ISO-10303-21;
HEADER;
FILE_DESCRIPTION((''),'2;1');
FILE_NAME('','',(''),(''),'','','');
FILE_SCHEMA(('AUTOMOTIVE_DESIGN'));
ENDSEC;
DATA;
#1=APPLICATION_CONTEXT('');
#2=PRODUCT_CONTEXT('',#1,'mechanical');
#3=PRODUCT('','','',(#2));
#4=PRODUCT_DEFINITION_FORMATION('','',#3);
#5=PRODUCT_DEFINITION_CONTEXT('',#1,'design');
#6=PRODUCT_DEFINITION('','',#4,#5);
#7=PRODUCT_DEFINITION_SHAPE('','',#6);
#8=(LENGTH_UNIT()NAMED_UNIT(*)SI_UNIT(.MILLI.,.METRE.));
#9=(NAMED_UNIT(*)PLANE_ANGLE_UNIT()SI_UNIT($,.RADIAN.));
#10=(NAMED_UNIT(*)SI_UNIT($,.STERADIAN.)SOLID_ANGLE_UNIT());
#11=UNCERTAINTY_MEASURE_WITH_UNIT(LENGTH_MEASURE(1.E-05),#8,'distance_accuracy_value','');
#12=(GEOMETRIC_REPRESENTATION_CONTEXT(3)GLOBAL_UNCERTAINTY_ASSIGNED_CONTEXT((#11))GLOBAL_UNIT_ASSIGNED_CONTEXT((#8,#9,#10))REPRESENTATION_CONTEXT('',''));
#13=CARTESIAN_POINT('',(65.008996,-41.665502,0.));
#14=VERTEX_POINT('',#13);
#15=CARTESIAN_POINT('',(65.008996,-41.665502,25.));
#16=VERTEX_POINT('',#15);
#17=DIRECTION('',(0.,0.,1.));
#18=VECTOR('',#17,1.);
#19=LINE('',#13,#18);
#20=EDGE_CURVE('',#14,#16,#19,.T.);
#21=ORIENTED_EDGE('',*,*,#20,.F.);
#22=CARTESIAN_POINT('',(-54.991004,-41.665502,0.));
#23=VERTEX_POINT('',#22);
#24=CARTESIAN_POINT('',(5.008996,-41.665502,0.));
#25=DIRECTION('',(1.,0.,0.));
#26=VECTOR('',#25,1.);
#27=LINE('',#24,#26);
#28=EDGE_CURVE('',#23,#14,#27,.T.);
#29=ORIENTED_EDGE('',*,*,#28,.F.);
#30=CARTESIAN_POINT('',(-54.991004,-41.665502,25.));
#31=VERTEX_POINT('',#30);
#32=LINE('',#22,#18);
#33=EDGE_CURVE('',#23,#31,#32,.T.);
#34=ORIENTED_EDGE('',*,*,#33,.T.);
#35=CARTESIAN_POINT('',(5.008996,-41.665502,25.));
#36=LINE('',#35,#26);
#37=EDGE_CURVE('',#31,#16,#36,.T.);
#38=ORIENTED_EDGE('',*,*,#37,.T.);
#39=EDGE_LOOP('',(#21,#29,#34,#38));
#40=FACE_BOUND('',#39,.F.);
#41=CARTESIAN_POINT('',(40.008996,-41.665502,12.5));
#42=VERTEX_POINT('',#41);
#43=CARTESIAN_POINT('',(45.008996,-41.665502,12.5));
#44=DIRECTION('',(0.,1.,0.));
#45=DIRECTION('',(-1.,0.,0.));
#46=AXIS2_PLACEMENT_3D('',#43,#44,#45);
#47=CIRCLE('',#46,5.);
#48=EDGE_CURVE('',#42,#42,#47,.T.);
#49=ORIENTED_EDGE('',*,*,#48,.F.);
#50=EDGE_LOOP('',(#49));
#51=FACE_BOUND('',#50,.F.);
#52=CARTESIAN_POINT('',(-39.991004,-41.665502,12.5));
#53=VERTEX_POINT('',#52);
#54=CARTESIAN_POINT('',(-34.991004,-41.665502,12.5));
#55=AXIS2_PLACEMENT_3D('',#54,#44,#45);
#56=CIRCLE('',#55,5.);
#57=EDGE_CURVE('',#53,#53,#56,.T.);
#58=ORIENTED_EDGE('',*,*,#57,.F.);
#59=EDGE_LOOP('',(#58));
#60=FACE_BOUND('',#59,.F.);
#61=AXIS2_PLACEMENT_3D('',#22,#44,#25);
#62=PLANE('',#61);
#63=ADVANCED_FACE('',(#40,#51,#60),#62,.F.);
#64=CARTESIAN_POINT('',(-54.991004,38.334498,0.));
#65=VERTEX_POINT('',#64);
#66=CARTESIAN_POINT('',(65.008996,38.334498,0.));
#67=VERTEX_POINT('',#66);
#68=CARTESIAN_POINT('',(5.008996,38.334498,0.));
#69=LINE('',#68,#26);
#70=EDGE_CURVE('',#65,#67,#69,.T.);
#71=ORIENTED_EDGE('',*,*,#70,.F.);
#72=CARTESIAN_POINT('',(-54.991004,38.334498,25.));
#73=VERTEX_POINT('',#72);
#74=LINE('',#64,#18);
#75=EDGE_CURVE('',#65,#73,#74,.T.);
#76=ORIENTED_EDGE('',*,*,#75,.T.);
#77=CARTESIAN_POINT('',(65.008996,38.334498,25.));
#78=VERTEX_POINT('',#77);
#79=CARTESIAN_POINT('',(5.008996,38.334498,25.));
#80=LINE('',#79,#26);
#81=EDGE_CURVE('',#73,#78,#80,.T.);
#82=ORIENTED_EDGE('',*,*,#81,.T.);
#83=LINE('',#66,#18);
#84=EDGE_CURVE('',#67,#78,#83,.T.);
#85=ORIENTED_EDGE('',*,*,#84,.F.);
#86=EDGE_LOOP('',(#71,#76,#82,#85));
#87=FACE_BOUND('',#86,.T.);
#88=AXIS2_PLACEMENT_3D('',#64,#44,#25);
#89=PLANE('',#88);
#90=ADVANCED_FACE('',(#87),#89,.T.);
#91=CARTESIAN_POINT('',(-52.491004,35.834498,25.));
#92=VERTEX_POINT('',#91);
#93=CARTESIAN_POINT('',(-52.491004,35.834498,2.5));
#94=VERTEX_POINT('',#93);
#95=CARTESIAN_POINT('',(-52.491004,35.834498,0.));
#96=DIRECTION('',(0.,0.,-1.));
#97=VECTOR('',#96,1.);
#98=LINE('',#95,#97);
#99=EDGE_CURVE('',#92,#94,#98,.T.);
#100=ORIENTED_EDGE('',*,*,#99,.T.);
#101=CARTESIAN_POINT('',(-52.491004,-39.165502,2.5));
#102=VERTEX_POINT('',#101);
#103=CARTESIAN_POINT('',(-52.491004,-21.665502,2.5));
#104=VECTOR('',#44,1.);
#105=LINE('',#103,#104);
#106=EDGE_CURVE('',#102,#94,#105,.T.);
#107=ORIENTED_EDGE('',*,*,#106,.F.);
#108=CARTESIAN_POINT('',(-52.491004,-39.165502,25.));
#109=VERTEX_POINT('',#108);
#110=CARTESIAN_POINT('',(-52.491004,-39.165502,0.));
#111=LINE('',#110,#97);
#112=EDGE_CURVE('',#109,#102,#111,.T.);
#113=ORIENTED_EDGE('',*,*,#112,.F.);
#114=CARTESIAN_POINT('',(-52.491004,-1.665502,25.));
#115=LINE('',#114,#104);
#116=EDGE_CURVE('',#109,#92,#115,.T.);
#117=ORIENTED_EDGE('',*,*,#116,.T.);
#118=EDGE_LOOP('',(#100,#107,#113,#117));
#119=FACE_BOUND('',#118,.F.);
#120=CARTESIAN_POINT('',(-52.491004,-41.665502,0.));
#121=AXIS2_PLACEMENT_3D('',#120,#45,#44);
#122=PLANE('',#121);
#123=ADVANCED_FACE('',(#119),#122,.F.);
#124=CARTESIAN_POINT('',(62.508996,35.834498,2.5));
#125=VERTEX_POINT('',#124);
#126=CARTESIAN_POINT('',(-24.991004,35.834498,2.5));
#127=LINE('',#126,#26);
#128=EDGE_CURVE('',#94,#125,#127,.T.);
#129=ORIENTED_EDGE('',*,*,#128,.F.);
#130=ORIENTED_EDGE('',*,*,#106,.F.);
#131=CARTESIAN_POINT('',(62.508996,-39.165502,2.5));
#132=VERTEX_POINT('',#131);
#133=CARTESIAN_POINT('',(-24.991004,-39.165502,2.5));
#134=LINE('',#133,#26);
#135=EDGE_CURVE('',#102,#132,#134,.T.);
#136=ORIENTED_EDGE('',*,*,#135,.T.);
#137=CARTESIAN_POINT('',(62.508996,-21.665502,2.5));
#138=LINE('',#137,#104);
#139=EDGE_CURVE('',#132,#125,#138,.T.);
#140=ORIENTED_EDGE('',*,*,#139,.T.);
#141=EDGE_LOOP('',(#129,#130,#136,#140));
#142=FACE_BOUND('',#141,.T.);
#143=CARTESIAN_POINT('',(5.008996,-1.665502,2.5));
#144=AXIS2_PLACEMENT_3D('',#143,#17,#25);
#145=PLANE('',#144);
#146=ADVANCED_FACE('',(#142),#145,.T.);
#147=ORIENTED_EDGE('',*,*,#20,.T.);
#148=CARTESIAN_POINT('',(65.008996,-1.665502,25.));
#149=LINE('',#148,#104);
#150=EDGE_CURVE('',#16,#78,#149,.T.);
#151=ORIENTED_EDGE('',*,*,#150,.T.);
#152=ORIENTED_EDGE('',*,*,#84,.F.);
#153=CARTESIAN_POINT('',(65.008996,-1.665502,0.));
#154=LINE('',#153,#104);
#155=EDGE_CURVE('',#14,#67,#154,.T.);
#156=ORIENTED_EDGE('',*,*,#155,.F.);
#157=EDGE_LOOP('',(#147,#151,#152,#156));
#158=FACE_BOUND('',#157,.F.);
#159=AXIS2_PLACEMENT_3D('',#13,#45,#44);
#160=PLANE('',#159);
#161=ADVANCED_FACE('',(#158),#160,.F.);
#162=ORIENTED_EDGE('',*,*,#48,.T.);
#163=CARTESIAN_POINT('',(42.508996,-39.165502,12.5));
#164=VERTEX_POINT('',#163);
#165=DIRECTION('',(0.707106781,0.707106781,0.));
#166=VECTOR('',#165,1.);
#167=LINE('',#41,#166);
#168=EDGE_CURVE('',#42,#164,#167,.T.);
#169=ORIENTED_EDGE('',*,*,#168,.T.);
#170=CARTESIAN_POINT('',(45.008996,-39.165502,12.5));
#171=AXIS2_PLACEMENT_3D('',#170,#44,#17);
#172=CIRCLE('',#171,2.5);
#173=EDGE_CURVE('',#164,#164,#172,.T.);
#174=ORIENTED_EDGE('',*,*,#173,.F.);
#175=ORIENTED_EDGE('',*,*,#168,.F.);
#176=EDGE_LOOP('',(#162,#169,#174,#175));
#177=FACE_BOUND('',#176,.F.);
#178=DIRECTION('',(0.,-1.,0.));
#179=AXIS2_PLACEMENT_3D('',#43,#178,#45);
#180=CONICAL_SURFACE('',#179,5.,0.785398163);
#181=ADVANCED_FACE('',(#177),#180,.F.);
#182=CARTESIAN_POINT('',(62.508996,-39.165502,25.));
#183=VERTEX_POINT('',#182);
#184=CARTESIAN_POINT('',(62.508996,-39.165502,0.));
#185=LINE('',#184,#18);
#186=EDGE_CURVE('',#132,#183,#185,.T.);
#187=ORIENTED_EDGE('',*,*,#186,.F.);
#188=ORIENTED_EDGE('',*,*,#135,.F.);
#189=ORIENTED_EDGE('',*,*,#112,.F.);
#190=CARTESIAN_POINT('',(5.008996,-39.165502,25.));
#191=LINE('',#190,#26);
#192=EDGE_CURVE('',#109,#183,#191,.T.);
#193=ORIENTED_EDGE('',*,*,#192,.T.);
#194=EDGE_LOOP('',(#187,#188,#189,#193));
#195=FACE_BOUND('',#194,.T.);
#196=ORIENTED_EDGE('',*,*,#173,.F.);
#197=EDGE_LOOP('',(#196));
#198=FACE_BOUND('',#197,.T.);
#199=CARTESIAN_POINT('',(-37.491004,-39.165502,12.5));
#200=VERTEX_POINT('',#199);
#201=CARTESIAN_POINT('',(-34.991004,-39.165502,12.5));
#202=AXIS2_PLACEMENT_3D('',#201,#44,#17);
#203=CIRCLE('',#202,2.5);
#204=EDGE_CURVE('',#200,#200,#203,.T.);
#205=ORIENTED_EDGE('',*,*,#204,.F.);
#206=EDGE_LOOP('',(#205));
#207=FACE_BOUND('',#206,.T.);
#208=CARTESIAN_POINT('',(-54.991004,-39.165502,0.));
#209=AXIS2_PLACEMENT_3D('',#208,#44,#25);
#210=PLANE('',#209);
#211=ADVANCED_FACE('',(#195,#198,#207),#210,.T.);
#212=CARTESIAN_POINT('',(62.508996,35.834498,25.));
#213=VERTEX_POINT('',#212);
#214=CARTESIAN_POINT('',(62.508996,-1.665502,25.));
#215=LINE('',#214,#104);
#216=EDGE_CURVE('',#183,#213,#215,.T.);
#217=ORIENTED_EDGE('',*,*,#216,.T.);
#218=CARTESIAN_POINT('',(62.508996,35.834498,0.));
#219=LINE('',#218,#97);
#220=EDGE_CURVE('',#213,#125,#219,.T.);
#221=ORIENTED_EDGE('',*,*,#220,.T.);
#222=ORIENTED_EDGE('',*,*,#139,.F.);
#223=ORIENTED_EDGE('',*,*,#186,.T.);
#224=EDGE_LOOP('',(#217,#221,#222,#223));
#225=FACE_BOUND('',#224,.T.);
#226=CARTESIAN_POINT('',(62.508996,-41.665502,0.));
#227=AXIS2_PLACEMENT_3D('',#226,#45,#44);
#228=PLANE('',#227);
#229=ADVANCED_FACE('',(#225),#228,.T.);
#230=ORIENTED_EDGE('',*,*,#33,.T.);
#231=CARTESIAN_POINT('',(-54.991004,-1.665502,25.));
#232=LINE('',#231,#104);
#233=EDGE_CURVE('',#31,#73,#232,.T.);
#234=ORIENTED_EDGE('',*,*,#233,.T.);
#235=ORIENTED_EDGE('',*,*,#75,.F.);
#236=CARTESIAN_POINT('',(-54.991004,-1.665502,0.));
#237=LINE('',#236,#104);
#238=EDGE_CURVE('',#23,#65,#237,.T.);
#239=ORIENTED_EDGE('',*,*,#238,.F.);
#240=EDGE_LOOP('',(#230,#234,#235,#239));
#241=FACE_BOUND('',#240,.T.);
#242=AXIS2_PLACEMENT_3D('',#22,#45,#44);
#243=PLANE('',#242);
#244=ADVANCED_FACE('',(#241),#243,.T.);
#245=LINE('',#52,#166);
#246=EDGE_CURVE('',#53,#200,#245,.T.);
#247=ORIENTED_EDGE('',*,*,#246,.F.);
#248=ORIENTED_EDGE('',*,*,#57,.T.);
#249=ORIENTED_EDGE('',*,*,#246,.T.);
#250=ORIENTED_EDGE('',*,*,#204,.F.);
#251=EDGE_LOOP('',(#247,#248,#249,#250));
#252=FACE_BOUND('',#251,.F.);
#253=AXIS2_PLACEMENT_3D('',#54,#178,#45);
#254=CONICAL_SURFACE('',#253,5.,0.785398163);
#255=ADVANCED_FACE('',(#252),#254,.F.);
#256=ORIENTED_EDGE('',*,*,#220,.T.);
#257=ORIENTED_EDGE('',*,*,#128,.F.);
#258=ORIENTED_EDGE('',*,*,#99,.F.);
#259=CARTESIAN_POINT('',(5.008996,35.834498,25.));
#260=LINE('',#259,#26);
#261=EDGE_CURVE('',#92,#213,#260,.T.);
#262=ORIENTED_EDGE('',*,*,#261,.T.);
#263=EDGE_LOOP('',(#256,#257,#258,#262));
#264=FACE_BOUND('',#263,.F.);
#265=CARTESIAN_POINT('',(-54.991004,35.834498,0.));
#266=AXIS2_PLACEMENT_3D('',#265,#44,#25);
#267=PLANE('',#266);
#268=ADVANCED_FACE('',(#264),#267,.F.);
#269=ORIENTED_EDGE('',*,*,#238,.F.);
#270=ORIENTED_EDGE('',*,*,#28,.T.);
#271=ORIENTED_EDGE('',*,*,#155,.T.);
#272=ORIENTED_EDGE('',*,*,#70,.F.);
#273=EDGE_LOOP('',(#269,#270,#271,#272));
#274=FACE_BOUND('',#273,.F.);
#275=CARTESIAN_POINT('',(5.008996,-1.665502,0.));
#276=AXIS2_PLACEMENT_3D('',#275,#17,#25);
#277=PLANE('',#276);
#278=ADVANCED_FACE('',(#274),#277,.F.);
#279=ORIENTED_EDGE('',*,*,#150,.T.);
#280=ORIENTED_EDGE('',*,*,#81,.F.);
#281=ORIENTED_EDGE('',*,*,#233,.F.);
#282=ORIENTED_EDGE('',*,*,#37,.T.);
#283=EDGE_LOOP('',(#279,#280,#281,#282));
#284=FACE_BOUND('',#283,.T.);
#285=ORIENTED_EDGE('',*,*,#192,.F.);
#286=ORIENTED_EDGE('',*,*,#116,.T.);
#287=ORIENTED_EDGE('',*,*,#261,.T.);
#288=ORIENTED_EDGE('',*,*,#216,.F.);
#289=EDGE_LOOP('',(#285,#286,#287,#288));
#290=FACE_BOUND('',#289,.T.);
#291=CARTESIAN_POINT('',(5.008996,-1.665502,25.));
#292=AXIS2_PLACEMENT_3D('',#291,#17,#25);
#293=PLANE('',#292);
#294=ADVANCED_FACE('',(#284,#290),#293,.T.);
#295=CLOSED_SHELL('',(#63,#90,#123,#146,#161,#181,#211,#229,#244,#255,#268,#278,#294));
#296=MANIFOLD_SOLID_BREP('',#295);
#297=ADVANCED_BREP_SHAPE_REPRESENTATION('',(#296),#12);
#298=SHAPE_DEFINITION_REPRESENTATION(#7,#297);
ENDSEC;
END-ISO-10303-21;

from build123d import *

# Parameters (mm, degrees)
F0_W           = 120
F0_H           = 80
F1_DEPTH       = 25
F2_T           = -2.5
F4_D           = 5
F4_DEPTH       = 12
F4_CSINK_D     = 10
F4_CSINK_ANGLE = 90
F5_D           = 5
F5_DEPTH       = 12
F5_CSINK_D     = 10
F5_CSINK_ANGLE = 90


with BuildPart() as f1:
    # F0 (on Top) → F1 (new body)
    with BuildSketch(Plane.XY):
        with Locations((5.008996, -1.665502)):
            Rectangle(F0_W, F0_H)
    extrude(amount=F1_DEPTH)

    # F2
    f2_openings = [f1.faces().sort_by_distance(p)[0] for p in [
        (5.008996, -1.665502, 25),
    ]]
    offset(amount=F2_T, openings=f2_openings)

    # F4
    with Locations(Plane.XZ.offset(41.665502)):
        with Locations((-34.991004, 12.5)):
            CounterSinkHole(F4_D / 2, F4_CSINK_D / 2, depth=F4_DEPTH, counter_sink_angle=F4_CSINK_ANGLE)

    # F5
    with Locations(Plane.XZ.offset(41.665502)):
        with Locations((45.008996, 12.5)):
            CounterSinkHole(F5_D / 2, F5_CSINK_D / 2, depth=F5_DEPTH, counter_sink_angle=F5_CSINK_ANGLE)


solid = f1.part
